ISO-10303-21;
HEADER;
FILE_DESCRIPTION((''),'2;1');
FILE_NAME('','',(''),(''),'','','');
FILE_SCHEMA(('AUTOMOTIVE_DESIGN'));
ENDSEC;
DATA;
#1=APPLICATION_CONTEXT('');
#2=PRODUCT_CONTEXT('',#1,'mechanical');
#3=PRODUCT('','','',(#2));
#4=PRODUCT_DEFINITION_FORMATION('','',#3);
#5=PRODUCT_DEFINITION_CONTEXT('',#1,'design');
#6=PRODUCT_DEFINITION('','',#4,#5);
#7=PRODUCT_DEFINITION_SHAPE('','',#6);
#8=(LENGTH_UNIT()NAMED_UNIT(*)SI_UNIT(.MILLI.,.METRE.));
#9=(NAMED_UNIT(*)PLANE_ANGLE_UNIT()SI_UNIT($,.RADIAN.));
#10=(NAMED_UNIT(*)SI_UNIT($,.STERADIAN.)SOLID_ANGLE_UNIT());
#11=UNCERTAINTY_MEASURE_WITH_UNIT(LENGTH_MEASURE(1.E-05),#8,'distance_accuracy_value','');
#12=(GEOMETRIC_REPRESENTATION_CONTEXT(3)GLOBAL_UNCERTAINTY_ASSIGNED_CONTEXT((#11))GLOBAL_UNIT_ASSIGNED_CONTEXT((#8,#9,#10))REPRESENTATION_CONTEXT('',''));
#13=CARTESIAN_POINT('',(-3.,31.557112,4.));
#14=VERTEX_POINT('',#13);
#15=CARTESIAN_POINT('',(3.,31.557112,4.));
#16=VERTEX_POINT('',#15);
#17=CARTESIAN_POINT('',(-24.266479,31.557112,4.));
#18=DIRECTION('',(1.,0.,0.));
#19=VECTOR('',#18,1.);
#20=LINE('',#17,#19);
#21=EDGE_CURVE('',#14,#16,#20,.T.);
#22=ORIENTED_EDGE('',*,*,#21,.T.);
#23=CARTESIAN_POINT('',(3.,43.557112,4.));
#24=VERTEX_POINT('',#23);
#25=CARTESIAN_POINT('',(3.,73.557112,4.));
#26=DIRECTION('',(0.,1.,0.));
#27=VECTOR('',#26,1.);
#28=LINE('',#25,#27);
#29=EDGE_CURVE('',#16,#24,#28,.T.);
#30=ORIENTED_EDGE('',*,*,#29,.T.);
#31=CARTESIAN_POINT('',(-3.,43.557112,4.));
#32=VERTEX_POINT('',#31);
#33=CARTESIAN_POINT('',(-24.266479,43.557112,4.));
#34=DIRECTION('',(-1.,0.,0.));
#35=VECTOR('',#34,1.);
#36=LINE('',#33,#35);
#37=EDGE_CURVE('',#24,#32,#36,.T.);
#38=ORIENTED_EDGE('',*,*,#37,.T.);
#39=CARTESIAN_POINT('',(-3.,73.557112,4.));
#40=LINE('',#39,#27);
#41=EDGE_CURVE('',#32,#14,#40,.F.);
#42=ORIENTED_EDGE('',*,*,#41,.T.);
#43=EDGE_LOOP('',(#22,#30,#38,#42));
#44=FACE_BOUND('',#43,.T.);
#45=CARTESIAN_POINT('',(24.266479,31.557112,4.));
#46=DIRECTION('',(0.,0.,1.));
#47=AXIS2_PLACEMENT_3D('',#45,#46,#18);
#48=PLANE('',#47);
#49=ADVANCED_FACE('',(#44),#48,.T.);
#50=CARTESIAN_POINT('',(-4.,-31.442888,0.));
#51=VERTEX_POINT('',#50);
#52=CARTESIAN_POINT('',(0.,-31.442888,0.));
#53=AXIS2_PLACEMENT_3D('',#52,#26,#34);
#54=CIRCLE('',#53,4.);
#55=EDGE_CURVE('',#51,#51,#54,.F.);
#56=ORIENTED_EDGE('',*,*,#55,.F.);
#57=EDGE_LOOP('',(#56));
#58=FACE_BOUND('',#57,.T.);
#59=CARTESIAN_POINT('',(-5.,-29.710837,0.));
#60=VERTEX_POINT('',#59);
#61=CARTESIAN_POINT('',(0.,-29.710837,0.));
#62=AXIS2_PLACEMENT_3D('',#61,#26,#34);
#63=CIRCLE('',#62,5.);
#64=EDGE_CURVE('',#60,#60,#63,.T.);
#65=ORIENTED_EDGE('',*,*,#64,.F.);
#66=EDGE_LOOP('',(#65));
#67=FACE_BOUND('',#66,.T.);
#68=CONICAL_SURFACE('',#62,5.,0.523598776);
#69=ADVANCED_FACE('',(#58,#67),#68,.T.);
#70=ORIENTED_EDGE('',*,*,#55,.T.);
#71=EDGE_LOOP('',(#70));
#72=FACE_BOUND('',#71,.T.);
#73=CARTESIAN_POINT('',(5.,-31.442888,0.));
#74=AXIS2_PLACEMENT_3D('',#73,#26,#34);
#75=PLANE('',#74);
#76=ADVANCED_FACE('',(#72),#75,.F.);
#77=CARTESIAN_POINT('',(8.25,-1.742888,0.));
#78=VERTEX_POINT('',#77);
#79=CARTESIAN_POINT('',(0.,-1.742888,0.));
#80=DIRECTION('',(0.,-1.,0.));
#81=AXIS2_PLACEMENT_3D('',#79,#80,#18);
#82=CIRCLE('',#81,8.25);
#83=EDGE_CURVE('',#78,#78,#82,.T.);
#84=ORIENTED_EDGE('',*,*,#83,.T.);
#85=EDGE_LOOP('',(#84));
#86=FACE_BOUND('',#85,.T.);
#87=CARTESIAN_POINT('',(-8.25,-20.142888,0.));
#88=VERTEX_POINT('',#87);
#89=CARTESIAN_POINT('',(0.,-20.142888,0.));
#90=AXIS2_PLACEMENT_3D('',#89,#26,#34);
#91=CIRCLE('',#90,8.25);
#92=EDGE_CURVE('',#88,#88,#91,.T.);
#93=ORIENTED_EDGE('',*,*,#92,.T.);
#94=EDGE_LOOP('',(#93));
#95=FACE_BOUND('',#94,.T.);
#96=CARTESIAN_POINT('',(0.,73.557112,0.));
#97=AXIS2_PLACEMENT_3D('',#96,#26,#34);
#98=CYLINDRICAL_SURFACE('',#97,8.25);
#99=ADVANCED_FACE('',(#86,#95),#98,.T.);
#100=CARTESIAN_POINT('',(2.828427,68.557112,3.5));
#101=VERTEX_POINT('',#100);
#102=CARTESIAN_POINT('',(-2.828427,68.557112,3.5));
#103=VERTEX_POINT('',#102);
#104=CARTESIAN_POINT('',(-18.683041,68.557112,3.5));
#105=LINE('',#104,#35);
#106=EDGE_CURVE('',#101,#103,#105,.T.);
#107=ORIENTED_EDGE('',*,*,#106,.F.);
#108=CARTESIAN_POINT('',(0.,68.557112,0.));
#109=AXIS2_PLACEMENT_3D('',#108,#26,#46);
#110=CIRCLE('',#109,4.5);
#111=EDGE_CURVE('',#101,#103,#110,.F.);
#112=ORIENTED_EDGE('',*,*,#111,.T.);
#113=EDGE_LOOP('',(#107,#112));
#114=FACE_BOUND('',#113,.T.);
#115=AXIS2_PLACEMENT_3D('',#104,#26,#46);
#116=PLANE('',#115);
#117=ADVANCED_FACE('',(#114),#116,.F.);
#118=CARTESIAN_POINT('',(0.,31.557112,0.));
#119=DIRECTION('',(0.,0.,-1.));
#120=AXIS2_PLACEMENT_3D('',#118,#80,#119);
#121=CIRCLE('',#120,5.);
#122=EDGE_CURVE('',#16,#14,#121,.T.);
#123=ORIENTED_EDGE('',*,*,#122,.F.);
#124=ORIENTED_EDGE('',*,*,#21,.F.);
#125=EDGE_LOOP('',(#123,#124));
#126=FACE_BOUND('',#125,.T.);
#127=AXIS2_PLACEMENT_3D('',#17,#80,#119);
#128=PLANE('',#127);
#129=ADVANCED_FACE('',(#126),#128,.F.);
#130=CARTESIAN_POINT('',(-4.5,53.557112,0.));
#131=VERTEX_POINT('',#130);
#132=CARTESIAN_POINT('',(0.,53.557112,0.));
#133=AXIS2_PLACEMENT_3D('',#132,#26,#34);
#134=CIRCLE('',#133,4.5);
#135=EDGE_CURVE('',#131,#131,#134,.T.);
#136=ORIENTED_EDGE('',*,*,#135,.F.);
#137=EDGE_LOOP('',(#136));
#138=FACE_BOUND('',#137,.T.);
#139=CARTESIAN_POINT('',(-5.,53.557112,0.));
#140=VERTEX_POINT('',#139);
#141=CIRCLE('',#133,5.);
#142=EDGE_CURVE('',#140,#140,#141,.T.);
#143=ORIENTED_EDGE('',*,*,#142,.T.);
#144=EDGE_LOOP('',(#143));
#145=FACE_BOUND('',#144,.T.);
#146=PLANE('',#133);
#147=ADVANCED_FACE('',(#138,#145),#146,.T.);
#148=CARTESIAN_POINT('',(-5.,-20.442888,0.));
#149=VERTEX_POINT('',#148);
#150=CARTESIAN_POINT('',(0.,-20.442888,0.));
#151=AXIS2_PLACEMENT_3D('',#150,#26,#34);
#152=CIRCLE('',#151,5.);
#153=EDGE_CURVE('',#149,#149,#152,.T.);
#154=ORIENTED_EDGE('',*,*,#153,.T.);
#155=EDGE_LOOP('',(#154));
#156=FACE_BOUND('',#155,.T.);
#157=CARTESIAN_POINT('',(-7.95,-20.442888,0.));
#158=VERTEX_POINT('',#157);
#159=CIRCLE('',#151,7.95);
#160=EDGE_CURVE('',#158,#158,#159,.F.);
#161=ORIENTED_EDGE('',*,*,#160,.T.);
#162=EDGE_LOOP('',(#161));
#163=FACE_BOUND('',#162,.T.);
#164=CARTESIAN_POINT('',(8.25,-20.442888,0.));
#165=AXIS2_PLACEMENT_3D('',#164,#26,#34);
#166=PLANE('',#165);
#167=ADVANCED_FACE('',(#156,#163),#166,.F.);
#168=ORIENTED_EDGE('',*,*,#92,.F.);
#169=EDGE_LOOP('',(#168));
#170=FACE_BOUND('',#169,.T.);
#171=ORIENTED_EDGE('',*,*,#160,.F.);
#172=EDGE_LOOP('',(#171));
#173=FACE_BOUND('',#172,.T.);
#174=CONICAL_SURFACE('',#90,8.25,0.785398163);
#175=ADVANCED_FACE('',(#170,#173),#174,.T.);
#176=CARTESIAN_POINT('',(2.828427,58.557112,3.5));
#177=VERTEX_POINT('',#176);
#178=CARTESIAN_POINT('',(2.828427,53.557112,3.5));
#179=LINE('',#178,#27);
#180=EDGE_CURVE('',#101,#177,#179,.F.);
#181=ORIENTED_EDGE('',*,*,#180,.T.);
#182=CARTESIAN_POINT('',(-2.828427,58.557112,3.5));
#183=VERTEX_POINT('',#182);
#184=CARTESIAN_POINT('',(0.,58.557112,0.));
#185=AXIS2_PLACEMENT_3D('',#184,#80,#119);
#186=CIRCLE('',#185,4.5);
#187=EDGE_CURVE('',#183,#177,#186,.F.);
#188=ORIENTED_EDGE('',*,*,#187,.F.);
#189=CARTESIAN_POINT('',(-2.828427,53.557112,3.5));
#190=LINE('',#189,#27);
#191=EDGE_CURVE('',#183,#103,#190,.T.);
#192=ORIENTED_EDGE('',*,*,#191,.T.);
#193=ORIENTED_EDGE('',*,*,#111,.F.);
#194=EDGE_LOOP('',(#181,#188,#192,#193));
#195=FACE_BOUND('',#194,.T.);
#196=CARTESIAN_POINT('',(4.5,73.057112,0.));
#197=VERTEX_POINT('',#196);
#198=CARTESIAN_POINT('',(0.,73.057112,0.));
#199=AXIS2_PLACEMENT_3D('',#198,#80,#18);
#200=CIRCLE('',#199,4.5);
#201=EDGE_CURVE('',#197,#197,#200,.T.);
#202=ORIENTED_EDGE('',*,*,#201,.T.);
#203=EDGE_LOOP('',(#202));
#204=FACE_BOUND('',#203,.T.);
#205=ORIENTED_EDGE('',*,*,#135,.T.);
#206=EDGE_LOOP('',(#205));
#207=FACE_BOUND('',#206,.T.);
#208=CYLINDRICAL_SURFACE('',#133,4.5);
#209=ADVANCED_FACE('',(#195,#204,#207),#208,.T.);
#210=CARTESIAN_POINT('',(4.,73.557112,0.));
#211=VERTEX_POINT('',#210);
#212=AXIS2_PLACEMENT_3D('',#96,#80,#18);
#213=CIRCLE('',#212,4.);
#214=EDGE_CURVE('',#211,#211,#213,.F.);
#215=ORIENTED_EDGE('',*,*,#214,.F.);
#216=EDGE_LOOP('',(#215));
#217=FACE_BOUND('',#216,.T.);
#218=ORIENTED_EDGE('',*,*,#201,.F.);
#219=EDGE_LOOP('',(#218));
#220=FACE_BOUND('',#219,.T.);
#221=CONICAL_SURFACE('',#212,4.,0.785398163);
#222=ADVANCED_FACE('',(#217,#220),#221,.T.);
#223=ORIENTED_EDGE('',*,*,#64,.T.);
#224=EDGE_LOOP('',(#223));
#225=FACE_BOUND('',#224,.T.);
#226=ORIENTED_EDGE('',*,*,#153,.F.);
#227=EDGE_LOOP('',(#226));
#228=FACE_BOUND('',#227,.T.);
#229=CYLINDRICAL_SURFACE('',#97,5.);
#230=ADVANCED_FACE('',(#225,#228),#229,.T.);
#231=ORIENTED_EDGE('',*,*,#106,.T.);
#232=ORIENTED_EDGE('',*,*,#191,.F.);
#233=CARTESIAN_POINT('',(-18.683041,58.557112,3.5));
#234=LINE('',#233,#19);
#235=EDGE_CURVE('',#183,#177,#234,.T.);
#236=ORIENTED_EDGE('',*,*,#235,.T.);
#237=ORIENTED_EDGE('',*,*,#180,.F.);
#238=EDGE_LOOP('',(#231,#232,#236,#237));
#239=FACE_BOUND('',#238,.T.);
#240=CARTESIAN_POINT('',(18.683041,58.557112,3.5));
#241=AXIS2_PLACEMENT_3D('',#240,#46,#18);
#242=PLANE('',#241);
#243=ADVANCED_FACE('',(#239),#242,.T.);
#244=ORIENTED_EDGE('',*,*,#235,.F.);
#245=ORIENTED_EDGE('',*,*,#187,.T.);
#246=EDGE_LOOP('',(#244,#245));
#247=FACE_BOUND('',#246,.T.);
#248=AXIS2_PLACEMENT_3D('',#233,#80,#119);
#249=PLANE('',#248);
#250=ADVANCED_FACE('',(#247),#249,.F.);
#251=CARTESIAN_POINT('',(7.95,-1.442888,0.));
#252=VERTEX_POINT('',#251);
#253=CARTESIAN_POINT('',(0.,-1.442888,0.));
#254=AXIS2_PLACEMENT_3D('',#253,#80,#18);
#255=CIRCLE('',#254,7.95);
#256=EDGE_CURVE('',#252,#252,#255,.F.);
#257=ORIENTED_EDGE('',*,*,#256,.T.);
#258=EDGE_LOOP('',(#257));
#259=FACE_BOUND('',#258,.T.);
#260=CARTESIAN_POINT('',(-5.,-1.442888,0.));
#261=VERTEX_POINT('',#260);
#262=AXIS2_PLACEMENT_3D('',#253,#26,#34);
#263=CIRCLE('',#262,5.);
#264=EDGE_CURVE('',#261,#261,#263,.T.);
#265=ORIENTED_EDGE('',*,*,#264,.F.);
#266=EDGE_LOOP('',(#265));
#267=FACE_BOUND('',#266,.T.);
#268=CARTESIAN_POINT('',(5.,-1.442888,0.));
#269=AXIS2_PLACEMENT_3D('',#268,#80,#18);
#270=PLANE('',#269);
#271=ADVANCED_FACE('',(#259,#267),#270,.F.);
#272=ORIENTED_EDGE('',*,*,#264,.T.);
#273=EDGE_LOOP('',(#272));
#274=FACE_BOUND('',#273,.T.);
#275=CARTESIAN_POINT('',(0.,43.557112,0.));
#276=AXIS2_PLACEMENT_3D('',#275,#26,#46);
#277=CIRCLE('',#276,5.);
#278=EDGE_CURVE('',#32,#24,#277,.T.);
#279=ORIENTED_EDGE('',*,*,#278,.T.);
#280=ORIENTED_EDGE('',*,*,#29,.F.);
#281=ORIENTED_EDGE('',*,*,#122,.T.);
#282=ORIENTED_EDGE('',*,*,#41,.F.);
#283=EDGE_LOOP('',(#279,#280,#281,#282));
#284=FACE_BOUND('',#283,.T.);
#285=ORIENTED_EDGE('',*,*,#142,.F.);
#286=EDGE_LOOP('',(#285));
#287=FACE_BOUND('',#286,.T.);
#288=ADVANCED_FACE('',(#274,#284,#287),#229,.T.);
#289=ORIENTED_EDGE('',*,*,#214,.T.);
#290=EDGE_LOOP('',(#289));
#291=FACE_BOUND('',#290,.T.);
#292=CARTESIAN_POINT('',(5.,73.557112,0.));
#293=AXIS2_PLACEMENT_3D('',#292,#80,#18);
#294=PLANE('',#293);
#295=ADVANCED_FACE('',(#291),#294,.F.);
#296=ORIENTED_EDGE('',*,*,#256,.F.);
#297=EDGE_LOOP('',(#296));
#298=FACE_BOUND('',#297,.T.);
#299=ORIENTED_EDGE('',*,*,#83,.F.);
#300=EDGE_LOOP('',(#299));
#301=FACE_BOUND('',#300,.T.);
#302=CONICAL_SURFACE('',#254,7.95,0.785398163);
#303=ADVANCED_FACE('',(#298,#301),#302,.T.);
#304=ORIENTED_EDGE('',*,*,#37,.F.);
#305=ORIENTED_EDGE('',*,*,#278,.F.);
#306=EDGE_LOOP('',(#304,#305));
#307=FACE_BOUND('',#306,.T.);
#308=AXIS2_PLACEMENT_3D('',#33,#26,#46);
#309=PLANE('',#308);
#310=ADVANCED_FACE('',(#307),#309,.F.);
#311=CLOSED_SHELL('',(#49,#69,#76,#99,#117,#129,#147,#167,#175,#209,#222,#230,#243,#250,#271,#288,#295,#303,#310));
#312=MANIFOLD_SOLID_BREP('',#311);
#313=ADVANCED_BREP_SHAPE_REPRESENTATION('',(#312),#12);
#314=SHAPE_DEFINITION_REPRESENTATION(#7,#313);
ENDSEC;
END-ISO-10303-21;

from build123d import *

# Parameters (mm, degrees)
CHANFREIN1_SIZE         = 1
CHANFREIN1_SIZE2        = 1.732050808
ESQUISSE3_W             = 48.532957324
ESQUISSE3_H             = 12
ENL_V_MAT_EXTRU_1_DEPTH = 1
ESQUISSE4_OUTSIDE_W     = 40.012
ESQUISSE4_OUTSIDE_H     = 40.012
ESQUISSE4_OUTSIDE_R     = 4.5
ENL_V_MAT_EXTRU_2_DEPTH = 20
ESQUISSE5_W             = 37.366082186
ESQUISSE5_H             = 10
ENL_V_MAT_EXTRU_3_DEPTH = 1.5
CHANFREIN2_SIZE         = 0.5
CHANFREIN3_SIZE         = 0.3


with BuildPart() as part:
    # Esquisse1 → Révolution1 (revolve)
    with BuildSketch(Plane.XY, mode=Mode.PRIVATE) as r_volution1_sk:
        Polygon((5, 73.557112482), (5, -1.442887518), (8.25, -1.442887518), (8.25, -20.442887518), (5, -20.442887518), (5, -31.442887518), (0, -31.442887518), (0, 73.557112482), align=None)
    revolve(r_volution1_sk.sketch.rotate(Axis((0, 73.557112482, 0), (0, -1, 0)), 180), axis=Axis((0, 73.557112482, 0), (0, -1, 0)))  # turned: the seam where the file's is

    # Chanfrein1
    chanfrein1_edges = [part.edges().sort_by_distance(p)[0] for p in [
        (5, -31.442887518, 0),
    ]]
    chanfrein1_side = [part.faces().sort_by_distance(p)[0] for p in [
        (0, -31.442887518, 0),
    ]]
    chamfer(chanfrein1_edges, length=CHANFREIN1_SIZE, length2=CHANFREIN1_SIZE2, reference=chanfrein1_side[0])

    # Esquisse3 → Enlèv. mat.-Extru.1 (cut)
    with BuildSketch(Plane.XY.offset(5)):
        with Locations((0, 37.557112482)):
            Rectangle(ESQUISSE3_W, ESQUISSE3_H)
    extrude(amount=-ENL_V_MAT_EXTRU_1_DEPTH, mode=Mode.SUBTRACT)

    # Esquisse4 outside → Enlèv. mat.-Extru.2 (cut)
    with BuildSketch(Plane(origin=(0, 73.557112482, 0), x_dir=(1, 0, 0), z_dir=(0, 1, 0))):
        Rectangle(ESQUISSE4_OUTSIDE_W, ESQUISSE4_OUTSIDE_H)
        with Locations(Location((0, 0, 0), (0, 0, 180))):  # turned: the seam where the file's is
            Circle(ESQUISSE4_OUTSIDE_R, mode=Mode.SUBTRACT)
    extrude(amount=-ENL_V_MAT_EXTRU_2_DEPTH, mode=Mode.SUBTRACT)

    # Esquisse5 → Enlèv. mat.-Extru.3 (cut)
    with BuildSketch(Plane.XY.offset(5)):
        with Locations((0, 63.557112482)):
            Rectangle(ESQUISSE5_W, ESQUISSE5_H)
    extrude(amount=-ENL_V_MAT_EXTRU_3_DEPTH, mode=Mode.SUBTRACT)

    # Chanfrein2
    chanfrein2_edges = [part.edges().sort_by_distance(p)[0] for p in [
        (4.5, 73.557112482, 0),
    ]]
    chamfer(chanfrein2_edges, length=CHANFREIN2_SIZE)

    # Chanfrein3
    chanfrein3_edges = [part.edges().sort_by_distance(p)[0] for p in [
        (8.25, -1.442887518, 0),
        (8.25, -20.442887518, 0),
    ]]
    chamfer(chanfrein3_edges, length=CHANFREIN3_SIZE)


solid = part.part
